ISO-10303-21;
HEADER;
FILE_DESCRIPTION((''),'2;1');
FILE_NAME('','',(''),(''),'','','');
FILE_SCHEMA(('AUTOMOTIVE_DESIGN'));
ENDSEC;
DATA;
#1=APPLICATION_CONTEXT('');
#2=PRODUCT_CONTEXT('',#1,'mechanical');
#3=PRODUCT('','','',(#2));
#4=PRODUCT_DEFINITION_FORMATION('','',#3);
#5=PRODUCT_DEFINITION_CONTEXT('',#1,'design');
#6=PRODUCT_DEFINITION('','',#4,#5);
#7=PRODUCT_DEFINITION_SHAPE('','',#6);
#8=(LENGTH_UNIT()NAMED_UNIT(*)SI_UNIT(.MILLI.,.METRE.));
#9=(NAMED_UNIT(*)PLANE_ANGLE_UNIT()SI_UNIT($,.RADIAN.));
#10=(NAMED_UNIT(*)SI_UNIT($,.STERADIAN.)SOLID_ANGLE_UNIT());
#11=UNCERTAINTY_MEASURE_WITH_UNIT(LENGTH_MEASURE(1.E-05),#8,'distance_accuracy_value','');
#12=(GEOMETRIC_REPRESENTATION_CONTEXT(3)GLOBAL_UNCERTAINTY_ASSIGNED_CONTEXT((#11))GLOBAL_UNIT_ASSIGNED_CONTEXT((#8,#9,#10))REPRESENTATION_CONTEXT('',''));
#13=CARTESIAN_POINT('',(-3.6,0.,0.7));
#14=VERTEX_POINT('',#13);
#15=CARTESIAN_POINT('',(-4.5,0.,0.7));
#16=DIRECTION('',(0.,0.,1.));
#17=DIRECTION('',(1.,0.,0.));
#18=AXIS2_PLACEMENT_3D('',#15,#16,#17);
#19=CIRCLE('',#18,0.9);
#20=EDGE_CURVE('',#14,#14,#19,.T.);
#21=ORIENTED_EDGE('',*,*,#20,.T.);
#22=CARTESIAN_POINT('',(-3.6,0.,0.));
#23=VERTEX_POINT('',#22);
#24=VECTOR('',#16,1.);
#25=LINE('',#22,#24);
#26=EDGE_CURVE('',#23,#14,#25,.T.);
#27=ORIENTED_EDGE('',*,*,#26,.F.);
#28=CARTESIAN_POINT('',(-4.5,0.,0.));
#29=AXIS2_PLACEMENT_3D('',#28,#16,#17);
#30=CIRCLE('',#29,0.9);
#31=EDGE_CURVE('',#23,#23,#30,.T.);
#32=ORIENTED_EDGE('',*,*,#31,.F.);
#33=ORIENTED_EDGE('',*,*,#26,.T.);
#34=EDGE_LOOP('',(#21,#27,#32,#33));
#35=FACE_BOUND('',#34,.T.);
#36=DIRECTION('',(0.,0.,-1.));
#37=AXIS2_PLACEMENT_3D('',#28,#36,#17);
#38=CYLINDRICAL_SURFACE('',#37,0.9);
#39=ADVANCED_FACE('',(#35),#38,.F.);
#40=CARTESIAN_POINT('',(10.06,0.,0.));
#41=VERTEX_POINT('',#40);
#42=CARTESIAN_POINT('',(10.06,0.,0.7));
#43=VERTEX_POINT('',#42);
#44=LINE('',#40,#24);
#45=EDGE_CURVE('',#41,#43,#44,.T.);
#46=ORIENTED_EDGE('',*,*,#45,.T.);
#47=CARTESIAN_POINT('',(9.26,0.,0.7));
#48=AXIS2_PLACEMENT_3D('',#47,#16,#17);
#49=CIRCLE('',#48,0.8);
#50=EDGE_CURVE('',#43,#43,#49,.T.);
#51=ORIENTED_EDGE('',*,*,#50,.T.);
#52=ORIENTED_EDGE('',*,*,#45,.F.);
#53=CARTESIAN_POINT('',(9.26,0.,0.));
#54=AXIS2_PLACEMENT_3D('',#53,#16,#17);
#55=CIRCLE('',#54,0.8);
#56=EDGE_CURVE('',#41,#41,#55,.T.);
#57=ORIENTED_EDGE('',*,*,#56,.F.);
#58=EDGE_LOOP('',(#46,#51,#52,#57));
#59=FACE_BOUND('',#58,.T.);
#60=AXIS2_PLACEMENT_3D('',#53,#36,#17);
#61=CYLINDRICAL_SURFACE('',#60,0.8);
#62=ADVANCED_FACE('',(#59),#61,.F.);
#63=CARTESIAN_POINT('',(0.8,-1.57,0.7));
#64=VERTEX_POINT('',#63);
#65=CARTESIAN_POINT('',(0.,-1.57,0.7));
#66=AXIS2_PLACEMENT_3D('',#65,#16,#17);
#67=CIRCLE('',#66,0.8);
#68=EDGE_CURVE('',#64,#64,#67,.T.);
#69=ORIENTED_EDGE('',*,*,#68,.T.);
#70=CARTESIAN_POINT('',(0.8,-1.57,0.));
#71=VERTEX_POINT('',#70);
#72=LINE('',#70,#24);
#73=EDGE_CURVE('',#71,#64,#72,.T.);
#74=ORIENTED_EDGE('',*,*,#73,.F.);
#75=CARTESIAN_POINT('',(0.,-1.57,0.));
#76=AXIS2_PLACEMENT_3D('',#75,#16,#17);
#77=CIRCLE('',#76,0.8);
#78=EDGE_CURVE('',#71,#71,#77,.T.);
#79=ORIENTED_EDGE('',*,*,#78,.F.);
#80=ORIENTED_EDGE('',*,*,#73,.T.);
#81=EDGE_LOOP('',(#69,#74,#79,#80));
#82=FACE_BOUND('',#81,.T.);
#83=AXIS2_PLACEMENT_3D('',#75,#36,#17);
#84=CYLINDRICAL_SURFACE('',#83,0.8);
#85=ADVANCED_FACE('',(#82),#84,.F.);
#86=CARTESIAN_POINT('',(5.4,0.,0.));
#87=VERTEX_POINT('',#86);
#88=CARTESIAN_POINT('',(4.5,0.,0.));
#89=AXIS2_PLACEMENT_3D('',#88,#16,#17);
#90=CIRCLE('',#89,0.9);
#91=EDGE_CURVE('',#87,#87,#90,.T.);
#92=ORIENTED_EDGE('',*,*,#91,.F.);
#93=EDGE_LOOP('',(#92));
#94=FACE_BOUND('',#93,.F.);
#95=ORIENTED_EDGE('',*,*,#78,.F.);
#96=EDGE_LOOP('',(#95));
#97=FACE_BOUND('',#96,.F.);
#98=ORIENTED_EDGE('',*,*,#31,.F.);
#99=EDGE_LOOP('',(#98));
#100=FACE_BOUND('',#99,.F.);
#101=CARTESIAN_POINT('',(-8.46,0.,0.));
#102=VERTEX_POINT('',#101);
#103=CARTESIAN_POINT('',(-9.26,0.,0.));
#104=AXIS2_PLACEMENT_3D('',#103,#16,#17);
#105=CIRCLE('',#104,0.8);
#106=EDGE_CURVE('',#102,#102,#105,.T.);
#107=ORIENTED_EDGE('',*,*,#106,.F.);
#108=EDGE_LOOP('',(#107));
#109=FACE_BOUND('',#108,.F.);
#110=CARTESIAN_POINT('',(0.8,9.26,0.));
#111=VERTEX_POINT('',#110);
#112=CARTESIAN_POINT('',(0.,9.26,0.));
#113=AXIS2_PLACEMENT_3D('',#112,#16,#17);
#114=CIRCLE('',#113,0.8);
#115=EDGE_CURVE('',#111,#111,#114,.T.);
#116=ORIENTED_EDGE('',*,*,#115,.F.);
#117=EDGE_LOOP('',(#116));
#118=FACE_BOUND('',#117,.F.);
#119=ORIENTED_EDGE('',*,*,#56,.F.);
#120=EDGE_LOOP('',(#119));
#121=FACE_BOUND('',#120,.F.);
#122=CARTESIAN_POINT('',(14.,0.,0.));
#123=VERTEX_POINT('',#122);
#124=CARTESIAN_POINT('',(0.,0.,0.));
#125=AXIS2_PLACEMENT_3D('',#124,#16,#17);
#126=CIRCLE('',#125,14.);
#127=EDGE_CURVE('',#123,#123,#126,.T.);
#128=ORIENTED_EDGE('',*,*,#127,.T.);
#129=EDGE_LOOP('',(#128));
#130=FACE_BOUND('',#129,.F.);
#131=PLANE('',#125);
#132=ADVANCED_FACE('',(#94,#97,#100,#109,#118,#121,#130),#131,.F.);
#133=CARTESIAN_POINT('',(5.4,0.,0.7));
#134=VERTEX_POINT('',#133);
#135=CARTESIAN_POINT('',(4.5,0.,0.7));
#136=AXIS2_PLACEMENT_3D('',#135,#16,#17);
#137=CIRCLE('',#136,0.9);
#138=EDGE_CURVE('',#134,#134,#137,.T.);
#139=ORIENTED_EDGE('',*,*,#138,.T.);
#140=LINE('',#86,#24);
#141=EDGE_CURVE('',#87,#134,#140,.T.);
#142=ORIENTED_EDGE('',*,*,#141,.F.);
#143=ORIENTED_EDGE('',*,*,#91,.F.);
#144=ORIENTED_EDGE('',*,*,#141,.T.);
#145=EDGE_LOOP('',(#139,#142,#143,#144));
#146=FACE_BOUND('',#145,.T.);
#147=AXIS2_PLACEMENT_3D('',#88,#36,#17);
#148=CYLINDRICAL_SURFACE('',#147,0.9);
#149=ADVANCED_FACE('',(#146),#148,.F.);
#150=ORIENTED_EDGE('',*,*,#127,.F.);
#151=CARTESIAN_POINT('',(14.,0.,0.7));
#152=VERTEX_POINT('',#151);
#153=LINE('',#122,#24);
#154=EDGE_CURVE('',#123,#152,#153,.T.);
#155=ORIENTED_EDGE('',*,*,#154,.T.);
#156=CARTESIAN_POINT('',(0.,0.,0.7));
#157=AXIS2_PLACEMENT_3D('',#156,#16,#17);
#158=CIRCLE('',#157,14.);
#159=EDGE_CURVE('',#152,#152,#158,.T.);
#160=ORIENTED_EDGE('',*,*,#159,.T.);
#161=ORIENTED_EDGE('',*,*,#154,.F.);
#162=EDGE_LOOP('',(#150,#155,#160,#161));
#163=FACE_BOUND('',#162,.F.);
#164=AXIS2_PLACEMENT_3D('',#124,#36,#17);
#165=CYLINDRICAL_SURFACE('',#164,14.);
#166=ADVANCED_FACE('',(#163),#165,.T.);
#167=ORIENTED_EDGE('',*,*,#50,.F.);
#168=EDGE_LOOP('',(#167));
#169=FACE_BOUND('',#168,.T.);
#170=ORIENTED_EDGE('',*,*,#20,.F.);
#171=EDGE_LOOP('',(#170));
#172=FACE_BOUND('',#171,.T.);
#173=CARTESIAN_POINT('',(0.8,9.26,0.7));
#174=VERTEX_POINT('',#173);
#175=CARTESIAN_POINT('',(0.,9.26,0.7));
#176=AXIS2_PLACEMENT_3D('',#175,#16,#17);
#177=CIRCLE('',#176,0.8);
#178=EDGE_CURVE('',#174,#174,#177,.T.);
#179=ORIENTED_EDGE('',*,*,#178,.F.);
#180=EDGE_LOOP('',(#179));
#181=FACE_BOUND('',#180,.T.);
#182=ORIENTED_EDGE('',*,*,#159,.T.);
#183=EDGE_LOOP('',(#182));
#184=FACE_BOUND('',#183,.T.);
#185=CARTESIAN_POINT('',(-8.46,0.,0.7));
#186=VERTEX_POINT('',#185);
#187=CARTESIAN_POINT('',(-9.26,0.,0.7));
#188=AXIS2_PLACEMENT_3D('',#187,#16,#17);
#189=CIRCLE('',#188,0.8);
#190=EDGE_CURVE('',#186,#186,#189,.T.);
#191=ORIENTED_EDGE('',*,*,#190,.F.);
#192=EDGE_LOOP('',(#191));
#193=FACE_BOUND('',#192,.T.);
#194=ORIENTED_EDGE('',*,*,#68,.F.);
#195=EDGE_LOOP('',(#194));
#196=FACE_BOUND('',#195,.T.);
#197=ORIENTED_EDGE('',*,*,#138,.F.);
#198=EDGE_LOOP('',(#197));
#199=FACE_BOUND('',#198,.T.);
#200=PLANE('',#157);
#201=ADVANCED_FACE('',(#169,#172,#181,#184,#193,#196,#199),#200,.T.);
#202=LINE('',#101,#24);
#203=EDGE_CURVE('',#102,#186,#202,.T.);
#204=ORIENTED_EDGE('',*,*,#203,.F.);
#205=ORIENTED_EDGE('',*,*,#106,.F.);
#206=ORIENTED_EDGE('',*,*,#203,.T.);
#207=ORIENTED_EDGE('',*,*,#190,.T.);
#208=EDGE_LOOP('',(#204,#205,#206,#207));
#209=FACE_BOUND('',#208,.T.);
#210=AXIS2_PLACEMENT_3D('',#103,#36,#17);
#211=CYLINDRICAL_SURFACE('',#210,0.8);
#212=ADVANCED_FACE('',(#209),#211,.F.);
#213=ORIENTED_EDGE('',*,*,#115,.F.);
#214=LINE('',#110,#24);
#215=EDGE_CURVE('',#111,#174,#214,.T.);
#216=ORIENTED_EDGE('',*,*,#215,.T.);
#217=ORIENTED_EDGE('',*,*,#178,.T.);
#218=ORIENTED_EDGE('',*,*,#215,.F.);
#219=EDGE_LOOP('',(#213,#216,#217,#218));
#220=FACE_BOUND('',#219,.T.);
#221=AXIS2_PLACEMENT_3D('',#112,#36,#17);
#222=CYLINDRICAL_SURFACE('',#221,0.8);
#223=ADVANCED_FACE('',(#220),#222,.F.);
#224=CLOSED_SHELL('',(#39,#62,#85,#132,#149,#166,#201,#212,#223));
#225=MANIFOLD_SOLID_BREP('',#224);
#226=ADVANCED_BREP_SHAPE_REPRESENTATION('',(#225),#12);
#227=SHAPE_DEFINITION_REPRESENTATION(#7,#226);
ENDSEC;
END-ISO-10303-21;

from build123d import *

# Parameters (mm, degrees)
SKETCH_R   = 14
SKETCH_R_2 = 0.9
SKETCH_R_3 = 0.8
PAD_DEPTH  = 0.7


with BuildPart() as part:
    # Sketch → Pad (new body)
    with BuildSketch(Plane.XY):
        Circle(SKETCH_R)
        with Locations((4.5, 0)):
            Circle(SKETCH_R_2, mode=Mode.SUBTRACT)
        with Locations((-4.5, 0)):
            Circle(SKETCH_R_2, mode=Mode.SUBTRACT)
        with Locations((0, -1.57)):
            Circle(SKETCH_R_3, mode=Mode.SUBTRACT)
        with Locations((-9.26, 0)):
            Circle(SKETCH_R_3, mode=Mode.SUBTRACT)
        with Locations((9.26, 0)):
            Circle(SKETCH_R_3, mode=Mode.SUBTRACT)
        with Locations((0, 9.26)):
            Circle(SKETCH_R_3, mode=Mode.SUBTRACT)
    extrude(amount=PAD_DEPTH)


solid = part.part
